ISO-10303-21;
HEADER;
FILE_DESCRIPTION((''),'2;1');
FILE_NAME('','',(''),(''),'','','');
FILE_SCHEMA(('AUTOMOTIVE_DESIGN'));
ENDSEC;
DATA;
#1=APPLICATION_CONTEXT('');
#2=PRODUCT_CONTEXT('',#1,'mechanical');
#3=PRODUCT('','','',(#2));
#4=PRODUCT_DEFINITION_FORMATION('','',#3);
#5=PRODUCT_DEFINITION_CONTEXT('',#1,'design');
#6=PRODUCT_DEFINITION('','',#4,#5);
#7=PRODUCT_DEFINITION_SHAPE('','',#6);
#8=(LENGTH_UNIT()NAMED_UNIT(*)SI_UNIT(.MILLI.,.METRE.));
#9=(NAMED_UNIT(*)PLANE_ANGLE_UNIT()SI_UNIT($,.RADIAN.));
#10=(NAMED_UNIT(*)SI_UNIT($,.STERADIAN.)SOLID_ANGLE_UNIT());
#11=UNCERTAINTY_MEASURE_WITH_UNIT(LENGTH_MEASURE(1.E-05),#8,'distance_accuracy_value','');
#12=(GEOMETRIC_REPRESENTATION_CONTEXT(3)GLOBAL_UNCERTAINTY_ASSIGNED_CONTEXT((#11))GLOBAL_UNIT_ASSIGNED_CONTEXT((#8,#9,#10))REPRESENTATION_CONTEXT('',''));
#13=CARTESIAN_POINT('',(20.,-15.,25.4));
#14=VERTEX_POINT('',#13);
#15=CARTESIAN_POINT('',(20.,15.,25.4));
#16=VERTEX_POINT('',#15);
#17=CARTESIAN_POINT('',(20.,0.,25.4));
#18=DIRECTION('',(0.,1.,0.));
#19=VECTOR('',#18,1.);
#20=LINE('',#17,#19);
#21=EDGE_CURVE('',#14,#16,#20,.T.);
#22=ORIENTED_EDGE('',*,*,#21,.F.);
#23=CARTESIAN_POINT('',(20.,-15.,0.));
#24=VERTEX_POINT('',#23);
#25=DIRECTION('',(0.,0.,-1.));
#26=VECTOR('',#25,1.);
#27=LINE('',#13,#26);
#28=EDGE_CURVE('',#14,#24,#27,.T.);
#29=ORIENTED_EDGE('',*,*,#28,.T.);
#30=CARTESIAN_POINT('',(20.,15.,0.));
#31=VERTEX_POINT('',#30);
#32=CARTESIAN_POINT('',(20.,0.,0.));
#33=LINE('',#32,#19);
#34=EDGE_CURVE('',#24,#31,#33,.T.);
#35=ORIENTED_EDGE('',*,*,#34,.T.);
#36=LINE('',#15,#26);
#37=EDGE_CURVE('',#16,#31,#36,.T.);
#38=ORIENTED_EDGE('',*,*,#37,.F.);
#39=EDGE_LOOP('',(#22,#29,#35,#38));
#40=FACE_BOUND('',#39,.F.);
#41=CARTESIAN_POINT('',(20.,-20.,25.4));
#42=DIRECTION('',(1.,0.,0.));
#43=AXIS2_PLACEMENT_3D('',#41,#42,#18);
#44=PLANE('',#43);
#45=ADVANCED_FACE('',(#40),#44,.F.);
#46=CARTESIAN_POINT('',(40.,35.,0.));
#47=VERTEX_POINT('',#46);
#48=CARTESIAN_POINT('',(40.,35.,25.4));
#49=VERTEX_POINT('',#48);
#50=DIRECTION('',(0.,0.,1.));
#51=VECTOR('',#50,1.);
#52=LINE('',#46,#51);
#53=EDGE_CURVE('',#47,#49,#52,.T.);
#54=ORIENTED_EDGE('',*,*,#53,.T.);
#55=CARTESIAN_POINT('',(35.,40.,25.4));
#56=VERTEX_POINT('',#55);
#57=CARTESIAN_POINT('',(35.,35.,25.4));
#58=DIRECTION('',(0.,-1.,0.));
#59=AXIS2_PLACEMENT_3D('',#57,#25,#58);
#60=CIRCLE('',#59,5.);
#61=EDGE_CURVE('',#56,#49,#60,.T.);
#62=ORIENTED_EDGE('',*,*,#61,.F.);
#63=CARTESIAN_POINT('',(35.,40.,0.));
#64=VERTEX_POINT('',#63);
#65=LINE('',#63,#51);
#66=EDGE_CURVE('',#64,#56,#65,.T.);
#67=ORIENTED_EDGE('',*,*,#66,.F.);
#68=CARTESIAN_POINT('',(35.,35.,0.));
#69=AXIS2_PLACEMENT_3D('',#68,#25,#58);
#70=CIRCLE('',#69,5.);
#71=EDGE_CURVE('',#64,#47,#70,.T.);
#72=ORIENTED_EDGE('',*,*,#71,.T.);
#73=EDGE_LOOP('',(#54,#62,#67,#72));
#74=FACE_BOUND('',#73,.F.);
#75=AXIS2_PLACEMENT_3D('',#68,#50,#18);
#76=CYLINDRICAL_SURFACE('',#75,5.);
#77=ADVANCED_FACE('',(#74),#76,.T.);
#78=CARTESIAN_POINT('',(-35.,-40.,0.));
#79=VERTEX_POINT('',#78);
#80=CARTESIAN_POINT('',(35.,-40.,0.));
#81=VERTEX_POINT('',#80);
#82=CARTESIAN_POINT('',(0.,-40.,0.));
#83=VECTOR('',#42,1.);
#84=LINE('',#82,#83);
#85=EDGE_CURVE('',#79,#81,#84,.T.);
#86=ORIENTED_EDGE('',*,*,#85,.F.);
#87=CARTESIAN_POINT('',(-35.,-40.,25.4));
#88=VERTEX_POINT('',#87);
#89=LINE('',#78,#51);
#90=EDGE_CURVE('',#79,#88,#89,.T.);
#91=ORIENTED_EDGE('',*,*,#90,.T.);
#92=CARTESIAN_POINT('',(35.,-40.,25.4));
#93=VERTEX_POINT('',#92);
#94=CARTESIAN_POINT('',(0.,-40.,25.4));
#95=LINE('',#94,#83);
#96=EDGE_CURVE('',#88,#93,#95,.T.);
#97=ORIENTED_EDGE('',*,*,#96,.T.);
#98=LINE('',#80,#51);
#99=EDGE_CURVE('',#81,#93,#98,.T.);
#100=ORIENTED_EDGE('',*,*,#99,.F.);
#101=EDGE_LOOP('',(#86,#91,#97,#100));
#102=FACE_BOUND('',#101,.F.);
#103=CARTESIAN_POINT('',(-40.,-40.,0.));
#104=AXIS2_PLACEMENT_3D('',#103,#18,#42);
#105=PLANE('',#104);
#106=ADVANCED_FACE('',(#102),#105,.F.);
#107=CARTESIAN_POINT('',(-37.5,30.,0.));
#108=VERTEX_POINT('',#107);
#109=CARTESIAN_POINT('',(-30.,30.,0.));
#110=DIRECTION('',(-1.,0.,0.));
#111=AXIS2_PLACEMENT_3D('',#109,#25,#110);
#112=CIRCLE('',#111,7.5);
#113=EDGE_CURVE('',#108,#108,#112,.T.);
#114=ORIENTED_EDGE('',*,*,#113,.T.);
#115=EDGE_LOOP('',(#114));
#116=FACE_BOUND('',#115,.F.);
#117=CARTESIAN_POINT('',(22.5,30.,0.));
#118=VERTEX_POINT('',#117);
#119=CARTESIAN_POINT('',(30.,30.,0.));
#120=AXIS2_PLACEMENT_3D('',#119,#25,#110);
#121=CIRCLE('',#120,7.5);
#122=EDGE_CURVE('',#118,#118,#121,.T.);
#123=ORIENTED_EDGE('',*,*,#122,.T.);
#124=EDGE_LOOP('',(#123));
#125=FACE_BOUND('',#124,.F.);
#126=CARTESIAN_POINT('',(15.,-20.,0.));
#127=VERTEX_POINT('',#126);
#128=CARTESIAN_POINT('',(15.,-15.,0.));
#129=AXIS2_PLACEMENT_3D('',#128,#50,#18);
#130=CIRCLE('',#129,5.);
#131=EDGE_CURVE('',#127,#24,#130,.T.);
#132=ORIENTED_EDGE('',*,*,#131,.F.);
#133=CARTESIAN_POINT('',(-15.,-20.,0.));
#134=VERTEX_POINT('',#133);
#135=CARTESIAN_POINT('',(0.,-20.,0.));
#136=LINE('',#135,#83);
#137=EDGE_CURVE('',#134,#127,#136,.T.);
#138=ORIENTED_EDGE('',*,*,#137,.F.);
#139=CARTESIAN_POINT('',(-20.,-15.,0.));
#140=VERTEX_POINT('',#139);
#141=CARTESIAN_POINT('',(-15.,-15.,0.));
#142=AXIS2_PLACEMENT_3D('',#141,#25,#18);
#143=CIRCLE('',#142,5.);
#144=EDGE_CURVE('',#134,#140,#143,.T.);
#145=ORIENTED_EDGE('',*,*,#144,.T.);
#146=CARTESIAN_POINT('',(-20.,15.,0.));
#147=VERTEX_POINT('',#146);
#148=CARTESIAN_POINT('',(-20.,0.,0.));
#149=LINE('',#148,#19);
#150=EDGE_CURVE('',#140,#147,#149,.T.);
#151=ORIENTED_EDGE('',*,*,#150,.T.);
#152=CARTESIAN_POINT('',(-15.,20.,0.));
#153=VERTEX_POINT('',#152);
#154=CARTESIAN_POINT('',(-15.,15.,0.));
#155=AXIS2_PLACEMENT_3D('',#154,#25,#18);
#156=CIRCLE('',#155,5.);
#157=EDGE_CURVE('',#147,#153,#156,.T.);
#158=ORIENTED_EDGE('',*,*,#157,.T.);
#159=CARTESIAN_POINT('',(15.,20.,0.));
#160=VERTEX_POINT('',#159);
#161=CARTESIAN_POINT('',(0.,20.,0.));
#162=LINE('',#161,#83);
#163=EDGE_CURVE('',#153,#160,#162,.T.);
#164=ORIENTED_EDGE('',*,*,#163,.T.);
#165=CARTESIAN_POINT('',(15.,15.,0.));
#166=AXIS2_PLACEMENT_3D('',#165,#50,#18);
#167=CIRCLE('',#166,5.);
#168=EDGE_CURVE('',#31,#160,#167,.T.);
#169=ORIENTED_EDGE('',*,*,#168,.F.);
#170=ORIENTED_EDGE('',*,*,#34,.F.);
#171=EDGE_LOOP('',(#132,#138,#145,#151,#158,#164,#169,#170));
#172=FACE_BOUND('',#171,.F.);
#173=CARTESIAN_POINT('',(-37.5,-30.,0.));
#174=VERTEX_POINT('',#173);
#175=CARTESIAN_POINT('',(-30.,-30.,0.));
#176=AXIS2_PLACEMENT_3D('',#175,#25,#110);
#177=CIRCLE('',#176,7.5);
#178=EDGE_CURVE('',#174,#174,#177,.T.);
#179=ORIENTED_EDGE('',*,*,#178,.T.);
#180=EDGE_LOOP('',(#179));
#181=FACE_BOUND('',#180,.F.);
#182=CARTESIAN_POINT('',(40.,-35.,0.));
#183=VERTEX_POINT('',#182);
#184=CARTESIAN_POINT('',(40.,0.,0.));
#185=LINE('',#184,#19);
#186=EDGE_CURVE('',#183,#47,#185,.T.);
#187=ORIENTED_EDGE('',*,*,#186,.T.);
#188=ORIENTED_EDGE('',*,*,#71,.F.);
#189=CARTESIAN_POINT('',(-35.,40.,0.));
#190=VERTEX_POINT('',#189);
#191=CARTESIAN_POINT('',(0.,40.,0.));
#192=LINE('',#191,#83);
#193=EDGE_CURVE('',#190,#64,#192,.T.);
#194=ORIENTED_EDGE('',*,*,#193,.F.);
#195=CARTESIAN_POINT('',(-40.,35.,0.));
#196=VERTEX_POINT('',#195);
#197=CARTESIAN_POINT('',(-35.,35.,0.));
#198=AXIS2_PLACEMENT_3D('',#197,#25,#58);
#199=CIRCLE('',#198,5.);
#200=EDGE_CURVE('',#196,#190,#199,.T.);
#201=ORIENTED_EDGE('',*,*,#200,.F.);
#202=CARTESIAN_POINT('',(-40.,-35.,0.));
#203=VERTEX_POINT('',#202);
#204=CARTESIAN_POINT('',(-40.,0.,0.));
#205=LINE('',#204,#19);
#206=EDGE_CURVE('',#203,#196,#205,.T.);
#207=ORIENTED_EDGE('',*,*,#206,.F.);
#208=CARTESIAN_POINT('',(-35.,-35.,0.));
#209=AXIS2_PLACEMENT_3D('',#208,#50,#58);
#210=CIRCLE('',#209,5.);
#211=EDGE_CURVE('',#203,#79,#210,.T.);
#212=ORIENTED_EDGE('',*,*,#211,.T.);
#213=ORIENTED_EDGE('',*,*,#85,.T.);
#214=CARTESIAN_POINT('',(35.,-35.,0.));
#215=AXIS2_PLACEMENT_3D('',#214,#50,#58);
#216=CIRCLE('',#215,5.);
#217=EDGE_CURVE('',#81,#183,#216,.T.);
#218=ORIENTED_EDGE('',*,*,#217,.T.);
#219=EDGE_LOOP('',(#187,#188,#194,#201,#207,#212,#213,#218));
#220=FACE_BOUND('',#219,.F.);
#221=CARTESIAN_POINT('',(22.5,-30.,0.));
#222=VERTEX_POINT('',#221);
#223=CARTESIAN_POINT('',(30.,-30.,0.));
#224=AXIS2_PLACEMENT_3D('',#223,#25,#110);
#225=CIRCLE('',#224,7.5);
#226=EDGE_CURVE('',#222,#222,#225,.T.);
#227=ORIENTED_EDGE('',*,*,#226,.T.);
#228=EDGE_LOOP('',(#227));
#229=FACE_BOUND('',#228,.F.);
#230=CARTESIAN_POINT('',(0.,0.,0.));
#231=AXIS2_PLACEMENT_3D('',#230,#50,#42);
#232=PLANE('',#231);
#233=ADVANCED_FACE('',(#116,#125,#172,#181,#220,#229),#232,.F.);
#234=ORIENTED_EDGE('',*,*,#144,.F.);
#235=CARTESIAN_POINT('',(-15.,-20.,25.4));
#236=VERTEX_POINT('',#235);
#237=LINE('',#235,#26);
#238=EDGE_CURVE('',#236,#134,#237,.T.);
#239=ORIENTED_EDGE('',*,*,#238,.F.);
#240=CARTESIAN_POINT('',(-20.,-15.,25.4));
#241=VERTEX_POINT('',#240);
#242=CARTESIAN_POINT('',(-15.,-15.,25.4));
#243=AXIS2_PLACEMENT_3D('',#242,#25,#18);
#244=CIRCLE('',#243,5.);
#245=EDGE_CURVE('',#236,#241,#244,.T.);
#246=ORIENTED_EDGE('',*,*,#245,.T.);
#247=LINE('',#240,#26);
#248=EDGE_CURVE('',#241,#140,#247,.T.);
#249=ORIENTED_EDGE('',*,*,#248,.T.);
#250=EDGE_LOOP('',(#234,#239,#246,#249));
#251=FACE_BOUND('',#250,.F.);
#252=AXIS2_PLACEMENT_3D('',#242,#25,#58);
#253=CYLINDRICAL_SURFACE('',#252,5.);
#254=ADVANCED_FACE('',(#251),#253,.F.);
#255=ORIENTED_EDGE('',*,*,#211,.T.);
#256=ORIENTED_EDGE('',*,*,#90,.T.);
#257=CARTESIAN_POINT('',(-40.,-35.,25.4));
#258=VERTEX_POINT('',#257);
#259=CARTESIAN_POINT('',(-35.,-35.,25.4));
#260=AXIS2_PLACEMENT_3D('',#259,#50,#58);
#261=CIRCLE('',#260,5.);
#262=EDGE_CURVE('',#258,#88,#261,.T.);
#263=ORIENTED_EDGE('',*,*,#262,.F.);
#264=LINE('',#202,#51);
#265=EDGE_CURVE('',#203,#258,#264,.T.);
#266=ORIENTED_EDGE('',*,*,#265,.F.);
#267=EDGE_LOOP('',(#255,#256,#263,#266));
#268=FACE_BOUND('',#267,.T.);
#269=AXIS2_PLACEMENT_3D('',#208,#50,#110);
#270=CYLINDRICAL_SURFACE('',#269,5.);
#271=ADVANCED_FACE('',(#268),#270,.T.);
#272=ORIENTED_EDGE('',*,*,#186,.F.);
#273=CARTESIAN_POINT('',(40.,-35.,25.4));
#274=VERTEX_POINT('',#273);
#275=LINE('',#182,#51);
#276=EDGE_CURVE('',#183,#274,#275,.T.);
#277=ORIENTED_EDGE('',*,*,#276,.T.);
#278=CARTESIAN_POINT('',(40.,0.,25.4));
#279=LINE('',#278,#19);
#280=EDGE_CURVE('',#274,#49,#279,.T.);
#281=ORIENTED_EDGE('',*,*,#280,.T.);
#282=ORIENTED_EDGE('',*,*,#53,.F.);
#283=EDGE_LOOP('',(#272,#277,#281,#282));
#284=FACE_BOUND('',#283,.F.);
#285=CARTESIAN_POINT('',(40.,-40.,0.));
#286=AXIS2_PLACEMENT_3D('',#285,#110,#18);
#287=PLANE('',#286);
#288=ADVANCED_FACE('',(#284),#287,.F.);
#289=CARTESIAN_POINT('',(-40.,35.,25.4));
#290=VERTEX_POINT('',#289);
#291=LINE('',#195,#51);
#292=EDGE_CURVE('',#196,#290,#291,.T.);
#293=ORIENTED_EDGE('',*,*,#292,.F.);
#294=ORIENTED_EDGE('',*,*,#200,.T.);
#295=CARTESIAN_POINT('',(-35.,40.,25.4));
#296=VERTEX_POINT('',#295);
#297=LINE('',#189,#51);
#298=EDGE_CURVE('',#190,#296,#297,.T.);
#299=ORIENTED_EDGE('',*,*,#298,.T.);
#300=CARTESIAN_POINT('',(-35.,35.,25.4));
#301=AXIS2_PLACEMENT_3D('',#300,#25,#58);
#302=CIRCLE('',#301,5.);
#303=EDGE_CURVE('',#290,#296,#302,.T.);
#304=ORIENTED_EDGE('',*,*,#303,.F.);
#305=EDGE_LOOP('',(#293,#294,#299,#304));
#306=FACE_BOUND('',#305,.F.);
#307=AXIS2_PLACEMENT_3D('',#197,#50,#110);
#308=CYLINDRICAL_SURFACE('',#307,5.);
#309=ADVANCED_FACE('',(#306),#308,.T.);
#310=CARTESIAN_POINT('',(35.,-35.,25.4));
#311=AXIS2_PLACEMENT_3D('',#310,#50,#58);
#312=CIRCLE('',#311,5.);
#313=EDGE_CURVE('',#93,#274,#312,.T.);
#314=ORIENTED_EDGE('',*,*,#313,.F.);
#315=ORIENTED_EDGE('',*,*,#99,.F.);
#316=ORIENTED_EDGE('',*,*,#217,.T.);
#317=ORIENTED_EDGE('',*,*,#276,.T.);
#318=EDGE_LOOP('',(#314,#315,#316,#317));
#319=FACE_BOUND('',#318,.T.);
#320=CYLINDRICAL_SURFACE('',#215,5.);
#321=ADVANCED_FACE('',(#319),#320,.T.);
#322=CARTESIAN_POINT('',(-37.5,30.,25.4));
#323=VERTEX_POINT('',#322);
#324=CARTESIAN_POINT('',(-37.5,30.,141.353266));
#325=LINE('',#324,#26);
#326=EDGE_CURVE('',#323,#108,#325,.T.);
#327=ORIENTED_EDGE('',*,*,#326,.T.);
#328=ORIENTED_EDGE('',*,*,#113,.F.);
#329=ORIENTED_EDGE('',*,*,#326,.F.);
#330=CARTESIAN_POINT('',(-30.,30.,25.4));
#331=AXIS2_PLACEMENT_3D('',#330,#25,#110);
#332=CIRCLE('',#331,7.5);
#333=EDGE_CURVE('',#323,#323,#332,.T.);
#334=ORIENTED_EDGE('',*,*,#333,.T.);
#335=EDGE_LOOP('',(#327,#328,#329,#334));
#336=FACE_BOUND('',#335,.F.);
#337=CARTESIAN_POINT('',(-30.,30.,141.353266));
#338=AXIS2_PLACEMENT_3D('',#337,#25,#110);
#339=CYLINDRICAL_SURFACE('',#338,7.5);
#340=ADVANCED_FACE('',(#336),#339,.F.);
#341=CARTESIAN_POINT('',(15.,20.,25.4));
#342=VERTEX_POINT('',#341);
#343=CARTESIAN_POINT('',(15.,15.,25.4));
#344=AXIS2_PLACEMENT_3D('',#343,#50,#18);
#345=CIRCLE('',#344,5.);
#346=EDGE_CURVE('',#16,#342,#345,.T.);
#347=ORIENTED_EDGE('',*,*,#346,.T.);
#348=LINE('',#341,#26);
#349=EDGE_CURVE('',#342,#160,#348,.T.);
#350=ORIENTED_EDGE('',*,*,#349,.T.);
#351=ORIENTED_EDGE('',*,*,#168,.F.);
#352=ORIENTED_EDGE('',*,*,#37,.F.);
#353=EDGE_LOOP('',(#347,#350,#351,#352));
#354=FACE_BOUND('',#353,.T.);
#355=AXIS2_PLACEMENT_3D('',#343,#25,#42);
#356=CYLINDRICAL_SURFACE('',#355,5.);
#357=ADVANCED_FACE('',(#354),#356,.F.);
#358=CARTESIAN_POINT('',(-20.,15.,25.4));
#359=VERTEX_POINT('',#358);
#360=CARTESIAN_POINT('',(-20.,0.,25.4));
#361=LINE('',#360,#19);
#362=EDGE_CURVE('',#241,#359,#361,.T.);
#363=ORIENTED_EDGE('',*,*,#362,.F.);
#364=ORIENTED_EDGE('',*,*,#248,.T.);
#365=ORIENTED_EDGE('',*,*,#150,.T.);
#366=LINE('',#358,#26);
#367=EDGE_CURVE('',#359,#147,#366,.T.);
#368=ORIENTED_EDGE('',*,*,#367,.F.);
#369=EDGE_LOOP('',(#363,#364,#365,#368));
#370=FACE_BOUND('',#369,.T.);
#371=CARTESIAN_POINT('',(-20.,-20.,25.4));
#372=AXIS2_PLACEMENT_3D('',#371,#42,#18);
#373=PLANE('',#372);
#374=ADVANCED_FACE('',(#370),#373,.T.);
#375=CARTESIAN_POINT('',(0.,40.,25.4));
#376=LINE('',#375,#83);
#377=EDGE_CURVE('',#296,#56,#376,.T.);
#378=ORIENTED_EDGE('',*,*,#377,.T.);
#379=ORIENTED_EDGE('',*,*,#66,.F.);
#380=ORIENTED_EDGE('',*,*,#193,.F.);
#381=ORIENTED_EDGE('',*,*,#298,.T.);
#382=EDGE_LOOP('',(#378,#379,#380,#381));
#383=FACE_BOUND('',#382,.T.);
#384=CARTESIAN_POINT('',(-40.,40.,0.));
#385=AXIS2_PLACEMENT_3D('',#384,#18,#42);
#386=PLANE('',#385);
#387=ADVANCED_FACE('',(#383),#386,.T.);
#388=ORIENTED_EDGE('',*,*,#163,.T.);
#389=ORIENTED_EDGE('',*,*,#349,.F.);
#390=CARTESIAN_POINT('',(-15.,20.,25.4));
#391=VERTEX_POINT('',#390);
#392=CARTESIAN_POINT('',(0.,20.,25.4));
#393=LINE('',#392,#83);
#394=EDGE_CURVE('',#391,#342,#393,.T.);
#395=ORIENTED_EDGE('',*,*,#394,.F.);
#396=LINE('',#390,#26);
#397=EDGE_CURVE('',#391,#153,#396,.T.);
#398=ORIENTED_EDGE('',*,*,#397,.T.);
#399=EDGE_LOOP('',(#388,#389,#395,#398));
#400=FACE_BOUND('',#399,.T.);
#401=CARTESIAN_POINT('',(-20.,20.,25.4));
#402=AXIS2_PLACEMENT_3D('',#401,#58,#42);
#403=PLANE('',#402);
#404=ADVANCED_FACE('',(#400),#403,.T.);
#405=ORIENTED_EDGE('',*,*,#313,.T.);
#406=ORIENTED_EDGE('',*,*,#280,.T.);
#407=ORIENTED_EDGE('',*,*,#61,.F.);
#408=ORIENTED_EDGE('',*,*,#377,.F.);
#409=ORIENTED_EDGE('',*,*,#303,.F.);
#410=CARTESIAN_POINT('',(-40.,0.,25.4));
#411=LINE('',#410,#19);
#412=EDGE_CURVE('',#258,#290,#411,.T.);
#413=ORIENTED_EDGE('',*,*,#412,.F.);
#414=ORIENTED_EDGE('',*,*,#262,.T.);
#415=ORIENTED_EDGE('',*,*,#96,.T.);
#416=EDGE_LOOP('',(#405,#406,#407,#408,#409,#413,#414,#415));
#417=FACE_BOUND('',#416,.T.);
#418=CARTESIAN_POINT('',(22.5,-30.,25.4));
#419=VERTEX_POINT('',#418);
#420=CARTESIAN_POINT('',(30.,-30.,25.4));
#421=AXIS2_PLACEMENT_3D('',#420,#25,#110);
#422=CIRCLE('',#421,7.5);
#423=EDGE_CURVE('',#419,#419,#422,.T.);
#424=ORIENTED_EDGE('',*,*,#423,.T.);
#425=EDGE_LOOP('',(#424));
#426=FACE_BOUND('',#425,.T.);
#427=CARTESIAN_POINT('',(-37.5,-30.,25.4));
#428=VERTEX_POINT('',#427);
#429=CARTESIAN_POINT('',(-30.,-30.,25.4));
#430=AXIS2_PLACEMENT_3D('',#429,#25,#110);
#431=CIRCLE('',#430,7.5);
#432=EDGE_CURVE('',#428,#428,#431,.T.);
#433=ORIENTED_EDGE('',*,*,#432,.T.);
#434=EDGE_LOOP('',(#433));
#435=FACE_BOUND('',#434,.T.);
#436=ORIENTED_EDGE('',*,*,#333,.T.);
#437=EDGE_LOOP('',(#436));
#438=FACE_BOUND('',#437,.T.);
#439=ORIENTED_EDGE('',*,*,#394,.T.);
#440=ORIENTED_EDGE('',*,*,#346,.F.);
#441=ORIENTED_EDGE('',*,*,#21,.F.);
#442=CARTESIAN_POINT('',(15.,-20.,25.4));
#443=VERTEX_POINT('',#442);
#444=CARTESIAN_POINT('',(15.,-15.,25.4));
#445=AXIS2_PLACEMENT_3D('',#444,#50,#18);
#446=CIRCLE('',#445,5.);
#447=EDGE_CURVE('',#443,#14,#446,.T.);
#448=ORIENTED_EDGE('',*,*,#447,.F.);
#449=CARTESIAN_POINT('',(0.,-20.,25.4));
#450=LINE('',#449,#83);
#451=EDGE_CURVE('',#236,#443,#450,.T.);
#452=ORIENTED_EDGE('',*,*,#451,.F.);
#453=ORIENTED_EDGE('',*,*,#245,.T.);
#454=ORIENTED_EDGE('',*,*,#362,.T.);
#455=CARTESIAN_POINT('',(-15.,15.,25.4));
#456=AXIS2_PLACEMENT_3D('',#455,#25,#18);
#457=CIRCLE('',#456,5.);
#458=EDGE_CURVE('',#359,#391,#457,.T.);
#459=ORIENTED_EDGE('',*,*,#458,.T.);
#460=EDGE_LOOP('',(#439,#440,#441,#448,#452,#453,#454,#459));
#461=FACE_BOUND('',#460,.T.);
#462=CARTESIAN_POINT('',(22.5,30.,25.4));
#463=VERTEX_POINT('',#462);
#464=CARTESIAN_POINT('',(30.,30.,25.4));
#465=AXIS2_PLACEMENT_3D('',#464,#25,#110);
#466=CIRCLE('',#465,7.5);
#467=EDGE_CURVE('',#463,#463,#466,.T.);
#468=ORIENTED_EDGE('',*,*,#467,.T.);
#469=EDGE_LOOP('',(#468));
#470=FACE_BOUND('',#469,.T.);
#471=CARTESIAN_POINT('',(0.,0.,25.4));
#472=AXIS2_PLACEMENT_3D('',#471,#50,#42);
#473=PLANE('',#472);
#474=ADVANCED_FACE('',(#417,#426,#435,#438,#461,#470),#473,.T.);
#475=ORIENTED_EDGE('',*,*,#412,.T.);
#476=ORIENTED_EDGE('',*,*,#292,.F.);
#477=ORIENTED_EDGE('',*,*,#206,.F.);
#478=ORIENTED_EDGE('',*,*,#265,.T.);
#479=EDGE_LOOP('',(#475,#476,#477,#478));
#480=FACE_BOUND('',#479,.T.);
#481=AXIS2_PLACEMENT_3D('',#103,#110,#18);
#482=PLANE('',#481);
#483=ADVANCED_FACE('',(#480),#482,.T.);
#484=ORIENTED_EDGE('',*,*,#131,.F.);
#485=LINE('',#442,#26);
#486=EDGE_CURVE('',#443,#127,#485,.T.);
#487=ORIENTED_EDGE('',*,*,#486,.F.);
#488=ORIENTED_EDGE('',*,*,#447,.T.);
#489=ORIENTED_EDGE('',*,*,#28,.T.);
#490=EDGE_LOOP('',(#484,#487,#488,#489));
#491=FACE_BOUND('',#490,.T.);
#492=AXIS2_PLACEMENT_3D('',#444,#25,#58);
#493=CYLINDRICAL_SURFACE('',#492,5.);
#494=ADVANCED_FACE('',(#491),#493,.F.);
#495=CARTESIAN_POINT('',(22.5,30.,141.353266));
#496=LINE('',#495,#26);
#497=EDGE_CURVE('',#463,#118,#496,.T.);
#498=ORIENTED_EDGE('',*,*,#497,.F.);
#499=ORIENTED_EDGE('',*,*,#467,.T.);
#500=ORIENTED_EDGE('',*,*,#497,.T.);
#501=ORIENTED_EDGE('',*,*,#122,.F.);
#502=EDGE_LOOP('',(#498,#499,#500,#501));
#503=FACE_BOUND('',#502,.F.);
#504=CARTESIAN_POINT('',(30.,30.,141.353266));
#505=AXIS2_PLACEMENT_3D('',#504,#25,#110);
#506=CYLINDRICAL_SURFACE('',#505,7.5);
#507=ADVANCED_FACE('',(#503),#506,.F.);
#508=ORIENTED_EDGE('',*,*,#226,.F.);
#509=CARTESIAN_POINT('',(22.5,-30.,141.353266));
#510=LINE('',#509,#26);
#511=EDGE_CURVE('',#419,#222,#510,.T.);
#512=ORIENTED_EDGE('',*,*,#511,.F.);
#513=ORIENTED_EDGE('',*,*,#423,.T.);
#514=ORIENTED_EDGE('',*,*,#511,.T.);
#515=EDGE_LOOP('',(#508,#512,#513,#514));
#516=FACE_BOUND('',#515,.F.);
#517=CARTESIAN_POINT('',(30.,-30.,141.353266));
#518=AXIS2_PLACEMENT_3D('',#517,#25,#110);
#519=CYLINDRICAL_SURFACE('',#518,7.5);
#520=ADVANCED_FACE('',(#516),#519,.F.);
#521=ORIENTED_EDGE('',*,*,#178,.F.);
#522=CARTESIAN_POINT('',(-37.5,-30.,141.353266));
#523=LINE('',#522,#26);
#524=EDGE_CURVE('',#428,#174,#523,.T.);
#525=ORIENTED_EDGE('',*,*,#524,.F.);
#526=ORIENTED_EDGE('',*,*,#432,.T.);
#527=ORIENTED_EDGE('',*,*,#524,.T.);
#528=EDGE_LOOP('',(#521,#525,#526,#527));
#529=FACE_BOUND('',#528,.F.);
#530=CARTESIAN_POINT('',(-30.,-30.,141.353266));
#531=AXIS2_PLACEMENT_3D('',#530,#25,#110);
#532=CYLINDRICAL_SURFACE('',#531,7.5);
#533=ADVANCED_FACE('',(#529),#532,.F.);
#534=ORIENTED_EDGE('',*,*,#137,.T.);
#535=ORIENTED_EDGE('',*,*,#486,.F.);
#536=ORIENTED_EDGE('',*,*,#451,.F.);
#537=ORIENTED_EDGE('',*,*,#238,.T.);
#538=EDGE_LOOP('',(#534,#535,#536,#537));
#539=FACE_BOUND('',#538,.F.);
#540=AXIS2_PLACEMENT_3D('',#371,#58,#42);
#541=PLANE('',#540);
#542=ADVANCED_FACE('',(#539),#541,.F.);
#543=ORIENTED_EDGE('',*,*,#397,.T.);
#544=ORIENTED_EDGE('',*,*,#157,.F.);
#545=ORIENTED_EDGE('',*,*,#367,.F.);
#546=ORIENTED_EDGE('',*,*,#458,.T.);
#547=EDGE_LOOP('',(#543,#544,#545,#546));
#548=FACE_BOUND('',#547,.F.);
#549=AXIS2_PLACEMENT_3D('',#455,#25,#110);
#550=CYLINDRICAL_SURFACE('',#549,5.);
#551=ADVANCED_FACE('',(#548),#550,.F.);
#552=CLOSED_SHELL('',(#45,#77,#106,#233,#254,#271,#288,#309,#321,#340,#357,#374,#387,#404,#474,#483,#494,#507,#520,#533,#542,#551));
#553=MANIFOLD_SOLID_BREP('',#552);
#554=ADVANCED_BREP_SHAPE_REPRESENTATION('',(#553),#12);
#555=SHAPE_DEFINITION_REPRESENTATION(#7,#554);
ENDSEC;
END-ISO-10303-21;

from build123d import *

# Parameters (mm, degrees)
F0_W     = 80
F0_H     = 80
F1_DEPTH = 25.4
F2_W     = 40
F2_H     = 40
F3_DEPTH = 25.4
F5_D     = 15
F6_R     = 5
F7_R     = 5


with BuildPart() as f1:
    # F0 (on Top) → F1 (new body)
    with BuildSketch(Plane.XY):
        Rectangle(F0_W, F0_H)
    extrude(amount=F1_DEPTH)

    # F2 (on face) → F3 (cut)
    with BuildSketch(Plane.XY.offset(25.4)):
        Rectangle(F2_W, F2_H)
    extrude(amount=-F3_DEPTH, mode=Mode.SUBTRACT)

    # F5 (through all)
    with Locations(Plane.XY.offset(25.4)):
        with Locations((-30, -30), (30, -30), (30, 30), (-30, 30)):
            Hole(F5_D / 2)

    # F6
    f6_edges = [f1.edges().sort_by_distance(p)[0] for p in [
        (40, -40, 12.7),
        (-40, -40, 12.7),
        (40, 40, 12.7),
        (-40, 40, 12.7),
    ]]
    fillet(f6_edges, radius=F6_R)

    # F7
    f7_edges = [f1.edges().sort_by_distance(p)[0] for p in [
        (-20, 20, 12.7),
        (-20, -20, 12.7),
        (20, 20, 12.7),
        (20, -20, 12.7),
    ]]
    fillet(f7_edges, radius=F7_R)


solid = f1.part
